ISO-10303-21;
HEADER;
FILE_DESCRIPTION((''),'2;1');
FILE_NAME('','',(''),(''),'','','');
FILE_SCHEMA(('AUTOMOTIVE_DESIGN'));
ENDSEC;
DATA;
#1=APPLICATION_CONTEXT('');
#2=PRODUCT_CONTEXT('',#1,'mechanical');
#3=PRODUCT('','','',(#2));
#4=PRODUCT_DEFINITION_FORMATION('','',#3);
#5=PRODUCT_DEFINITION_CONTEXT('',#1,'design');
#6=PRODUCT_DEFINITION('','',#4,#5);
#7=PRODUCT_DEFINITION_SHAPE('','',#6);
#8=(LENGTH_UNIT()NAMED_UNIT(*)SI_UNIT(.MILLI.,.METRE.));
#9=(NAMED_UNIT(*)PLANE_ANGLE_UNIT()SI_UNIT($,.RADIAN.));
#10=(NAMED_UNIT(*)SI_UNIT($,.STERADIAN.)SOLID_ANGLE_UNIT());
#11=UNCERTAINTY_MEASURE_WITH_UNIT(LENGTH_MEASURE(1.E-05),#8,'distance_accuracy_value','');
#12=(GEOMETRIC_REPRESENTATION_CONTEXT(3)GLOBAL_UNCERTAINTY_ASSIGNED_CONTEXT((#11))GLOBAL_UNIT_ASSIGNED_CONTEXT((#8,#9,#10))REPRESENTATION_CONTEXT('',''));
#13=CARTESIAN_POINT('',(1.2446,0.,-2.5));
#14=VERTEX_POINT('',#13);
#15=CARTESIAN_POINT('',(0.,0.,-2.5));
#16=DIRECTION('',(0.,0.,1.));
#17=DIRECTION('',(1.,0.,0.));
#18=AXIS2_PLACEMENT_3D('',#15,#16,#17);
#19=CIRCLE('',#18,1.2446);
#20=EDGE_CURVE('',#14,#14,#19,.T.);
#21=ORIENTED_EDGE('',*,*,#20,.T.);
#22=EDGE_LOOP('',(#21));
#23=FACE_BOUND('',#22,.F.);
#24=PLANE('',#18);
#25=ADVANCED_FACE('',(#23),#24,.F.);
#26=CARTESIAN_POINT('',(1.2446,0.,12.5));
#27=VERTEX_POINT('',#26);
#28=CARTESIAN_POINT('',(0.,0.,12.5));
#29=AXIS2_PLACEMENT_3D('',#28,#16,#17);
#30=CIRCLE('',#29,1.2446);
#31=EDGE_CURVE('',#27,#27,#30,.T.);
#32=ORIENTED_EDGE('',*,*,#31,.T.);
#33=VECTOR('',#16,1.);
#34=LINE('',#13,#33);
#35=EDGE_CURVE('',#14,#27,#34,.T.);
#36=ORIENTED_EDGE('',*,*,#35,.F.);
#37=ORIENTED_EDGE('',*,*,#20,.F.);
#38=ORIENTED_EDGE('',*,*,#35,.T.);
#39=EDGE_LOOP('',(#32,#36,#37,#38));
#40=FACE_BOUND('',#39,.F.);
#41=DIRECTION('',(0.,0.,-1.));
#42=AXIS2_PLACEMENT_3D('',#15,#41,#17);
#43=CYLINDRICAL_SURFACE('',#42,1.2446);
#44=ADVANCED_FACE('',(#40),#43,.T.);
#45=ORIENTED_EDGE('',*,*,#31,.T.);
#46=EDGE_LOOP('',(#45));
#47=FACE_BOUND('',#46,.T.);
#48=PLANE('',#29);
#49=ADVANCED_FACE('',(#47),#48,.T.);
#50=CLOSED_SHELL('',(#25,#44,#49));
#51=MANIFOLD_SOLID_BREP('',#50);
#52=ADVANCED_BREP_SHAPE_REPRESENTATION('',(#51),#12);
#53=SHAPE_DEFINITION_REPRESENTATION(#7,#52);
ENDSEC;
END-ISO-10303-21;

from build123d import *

# Parameters (mm, degrees)
CYLINDER_R     = 1.2446
CYLINDER_DEPTH = 15


with BuildPart() as part:
    # Cylinder → Cylinder (new body)
    with BuildSketch(Plane.XY.offset(-2.5)):
        Circle(CYLINDER_R)
    extrude(amount=CYLINDER_DEPTH)


solid = part.part
